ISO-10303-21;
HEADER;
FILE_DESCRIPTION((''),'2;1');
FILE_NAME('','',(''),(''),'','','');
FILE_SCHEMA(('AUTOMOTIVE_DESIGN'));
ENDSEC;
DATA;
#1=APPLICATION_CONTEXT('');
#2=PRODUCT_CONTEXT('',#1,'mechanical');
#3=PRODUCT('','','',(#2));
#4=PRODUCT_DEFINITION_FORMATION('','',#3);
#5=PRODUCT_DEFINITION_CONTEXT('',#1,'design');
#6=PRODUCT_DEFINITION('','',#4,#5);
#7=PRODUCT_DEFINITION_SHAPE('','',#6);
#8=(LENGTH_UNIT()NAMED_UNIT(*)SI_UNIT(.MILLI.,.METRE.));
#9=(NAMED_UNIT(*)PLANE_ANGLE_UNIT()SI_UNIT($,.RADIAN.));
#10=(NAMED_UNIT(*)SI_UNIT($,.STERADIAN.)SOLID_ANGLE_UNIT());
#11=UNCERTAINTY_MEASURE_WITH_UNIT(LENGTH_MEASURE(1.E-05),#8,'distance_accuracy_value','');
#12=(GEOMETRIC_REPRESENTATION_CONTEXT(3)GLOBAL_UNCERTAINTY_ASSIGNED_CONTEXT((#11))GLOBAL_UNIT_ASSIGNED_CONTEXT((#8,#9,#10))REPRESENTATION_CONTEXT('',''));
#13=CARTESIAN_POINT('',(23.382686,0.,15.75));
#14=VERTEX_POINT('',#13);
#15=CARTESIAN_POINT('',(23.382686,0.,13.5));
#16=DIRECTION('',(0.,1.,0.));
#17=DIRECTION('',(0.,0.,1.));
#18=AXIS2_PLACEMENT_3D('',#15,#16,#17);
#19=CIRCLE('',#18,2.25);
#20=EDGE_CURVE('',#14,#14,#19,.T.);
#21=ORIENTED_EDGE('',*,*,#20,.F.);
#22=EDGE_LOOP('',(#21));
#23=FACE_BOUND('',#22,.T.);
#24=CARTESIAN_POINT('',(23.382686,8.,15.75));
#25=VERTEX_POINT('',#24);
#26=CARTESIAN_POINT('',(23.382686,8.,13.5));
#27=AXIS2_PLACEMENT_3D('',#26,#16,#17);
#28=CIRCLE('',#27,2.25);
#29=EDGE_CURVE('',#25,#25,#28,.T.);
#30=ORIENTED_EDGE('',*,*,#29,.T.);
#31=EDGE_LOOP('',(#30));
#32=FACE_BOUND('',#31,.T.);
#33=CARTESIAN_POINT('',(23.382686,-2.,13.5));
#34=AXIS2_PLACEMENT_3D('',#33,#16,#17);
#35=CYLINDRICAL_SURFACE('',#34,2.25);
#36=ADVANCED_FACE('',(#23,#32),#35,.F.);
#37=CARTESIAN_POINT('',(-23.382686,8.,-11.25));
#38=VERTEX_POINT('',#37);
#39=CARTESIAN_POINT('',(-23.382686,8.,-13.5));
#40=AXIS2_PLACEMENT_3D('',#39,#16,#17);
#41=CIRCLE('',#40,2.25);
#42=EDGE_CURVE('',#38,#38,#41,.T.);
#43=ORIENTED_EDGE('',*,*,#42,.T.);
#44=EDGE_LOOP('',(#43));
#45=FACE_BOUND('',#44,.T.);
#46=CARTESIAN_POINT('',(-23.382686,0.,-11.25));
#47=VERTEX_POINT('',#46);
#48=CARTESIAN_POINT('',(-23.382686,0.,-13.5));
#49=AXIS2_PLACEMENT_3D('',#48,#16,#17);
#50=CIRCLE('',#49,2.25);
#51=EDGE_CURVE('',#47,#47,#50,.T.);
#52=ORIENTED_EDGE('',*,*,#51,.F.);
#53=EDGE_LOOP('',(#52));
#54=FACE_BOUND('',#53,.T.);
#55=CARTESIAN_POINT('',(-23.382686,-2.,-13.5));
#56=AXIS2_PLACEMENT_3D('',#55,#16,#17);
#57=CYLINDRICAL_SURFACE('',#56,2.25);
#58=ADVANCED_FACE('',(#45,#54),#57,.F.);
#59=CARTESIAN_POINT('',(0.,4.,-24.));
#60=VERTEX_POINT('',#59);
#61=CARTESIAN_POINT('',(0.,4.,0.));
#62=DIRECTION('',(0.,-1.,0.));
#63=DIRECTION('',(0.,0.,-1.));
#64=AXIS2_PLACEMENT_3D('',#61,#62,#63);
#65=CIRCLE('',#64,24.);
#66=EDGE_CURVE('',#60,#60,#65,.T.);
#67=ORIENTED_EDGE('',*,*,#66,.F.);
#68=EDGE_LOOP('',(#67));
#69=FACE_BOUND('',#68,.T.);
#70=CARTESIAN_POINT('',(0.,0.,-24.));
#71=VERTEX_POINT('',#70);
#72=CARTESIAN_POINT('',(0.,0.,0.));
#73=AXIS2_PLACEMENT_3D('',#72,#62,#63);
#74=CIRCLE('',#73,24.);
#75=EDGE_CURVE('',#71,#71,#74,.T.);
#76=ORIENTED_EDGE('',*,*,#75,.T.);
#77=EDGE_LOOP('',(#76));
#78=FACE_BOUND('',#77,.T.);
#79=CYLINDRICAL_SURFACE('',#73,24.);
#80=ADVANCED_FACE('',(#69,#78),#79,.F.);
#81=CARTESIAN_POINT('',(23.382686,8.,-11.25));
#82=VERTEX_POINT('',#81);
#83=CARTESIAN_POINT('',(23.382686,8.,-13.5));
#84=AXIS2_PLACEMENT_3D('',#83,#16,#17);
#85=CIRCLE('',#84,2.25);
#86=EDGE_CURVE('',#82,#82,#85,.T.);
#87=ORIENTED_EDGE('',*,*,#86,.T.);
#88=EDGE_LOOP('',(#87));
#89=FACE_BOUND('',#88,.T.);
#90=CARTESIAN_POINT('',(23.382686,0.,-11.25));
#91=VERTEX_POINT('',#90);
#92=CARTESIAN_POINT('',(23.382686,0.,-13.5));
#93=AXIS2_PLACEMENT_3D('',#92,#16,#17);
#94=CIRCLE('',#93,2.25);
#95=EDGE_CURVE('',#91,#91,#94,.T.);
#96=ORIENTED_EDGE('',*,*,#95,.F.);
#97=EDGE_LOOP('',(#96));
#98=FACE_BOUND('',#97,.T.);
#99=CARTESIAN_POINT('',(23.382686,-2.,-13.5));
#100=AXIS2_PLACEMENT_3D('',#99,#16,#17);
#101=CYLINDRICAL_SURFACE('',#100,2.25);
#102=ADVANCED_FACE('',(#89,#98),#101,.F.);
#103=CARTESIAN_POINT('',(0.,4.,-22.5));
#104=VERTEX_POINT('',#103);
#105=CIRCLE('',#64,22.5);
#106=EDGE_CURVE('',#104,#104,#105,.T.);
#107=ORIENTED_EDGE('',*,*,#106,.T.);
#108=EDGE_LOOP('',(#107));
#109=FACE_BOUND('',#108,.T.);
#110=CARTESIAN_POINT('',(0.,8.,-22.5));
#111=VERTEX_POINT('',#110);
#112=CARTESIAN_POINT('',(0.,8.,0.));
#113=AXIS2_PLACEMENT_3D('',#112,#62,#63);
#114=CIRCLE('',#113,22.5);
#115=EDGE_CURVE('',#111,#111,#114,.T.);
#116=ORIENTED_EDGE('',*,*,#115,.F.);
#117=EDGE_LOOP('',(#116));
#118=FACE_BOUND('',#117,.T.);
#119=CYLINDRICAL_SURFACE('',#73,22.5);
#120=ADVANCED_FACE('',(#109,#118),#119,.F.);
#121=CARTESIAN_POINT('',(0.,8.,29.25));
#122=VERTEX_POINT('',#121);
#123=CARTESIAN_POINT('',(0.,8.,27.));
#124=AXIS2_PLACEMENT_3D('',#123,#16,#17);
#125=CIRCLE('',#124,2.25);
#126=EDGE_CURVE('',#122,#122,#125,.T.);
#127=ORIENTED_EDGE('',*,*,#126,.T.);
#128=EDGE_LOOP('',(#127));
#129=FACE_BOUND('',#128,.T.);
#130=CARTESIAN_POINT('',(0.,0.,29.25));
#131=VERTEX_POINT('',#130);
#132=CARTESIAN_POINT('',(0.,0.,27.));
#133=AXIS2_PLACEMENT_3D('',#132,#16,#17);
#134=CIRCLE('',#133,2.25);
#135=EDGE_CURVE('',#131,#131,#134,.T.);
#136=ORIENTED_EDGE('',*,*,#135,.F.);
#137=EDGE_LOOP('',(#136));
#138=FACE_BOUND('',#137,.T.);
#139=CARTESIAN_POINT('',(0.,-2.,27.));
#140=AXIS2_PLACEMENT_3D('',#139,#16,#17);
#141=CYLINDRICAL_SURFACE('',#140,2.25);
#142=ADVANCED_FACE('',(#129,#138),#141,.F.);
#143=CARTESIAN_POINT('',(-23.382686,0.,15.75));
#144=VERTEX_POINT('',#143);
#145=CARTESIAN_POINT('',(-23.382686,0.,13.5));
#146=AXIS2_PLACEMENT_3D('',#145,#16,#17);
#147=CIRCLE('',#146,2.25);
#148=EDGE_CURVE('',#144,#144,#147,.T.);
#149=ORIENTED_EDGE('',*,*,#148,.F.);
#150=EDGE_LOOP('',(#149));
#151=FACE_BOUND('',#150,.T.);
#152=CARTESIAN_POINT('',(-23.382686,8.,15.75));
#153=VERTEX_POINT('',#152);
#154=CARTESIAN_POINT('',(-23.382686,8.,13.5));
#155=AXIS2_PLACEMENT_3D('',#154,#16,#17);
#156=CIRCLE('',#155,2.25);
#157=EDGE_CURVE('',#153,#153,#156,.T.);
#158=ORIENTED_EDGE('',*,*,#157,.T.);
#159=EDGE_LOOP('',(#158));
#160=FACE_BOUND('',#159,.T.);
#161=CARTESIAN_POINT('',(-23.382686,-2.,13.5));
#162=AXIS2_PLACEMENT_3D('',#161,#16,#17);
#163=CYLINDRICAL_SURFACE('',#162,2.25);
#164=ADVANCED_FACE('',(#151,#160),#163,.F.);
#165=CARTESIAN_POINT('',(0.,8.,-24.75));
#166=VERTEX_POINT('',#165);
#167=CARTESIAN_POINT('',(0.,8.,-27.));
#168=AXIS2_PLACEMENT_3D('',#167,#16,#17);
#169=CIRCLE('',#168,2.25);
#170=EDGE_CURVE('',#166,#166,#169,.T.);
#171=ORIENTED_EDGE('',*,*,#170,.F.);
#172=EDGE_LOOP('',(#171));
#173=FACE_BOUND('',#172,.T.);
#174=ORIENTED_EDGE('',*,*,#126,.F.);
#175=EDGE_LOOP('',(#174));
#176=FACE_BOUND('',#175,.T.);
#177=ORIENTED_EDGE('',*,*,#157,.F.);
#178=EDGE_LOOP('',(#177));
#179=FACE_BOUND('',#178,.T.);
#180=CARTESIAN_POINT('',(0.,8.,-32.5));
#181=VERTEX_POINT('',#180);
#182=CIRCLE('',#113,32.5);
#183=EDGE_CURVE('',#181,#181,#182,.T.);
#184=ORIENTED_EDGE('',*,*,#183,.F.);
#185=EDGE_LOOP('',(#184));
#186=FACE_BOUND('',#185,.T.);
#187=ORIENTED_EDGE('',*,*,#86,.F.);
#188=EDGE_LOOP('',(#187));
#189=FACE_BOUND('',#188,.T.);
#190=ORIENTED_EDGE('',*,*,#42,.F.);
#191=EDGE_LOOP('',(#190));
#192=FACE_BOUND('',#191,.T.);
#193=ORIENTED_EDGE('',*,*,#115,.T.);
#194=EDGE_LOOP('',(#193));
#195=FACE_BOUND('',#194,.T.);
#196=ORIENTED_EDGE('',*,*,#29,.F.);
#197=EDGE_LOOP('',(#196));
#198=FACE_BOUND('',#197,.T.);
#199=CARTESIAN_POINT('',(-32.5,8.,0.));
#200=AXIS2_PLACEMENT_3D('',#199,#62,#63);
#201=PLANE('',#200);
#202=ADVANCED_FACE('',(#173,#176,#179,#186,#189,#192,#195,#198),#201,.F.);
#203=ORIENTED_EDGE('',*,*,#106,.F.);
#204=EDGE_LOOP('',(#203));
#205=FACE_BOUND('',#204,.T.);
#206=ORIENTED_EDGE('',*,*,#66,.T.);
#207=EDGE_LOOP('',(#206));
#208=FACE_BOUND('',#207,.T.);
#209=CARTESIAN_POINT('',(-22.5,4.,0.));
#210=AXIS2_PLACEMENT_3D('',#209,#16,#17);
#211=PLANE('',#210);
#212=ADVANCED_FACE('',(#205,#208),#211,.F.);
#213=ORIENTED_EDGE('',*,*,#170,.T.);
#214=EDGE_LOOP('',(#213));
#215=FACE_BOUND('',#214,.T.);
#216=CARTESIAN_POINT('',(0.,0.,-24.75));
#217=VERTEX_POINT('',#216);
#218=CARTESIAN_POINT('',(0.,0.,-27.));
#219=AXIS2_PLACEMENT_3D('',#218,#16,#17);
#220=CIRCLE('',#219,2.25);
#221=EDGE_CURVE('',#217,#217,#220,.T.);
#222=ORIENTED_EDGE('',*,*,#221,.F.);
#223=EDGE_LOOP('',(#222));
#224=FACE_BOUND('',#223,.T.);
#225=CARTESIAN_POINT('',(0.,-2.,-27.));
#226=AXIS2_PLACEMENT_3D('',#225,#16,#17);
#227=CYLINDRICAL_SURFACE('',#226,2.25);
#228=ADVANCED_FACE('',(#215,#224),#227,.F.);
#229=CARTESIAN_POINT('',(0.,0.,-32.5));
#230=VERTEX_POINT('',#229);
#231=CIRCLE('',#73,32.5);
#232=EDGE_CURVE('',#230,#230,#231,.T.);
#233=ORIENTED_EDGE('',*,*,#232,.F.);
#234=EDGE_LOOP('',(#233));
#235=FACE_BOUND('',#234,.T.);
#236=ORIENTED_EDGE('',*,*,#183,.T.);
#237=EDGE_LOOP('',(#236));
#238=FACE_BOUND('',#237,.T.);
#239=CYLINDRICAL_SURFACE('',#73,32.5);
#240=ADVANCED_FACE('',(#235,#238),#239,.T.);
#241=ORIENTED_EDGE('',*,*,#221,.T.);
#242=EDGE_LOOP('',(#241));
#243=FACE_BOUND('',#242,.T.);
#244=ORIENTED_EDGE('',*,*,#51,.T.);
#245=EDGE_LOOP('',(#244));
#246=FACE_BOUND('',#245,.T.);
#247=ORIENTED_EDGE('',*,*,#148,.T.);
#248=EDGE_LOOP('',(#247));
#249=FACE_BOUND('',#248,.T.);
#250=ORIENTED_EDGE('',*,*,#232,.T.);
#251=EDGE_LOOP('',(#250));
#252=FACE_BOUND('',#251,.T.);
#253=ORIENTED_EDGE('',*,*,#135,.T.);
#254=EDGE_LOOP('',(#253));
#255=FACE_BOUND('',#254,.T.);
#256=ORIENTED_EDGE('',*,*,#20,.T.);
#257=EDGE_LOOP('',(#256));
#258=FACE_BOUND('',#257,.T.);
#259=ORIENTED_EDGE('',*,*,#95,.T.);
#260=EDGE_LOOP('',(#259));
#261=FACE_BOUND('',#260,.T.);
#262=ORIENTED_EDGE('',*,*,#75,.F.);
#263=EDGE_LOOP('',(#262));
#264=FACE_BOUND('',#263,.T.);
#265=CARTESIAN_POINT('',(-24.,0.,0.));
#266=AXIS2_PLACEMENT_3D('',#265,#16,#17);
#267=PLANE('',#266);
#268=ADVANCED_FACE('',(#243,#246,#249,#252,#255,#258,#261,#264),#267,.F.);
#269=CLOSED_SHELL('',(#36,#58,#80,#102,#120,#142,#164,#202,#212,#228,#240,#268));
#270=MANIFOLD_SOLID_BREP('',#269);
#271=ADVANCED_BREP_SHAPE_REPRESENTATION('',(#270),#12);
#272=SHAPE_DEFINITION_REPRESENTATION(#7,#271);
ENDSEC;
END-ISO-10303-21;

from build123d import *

# Parameters (mm, degrees)
SKETCH2_R          = 2.25
CUT_EXTRUDE1_DEPTH = 10


with BuildPart() as part:
    # Sketch1 → Revolve1 (revolve)
    with BuildSketch(Plane.XY, mode=Mode.PRIVATE) as revolve1_sk:
        Polygon((-32.5, 0), (-32.5, 8), (-22.5, 8), (-22.5, 4), (-24, 4), (-24, 0), align=None)
    revolve(revolve1_sk.sketch.rotate(Axis((0, 0, 0), (0, 1, 0)), 270), axis=Axis((0, 0, 0), (0, 1, 0)))

    # Sketch2 → Cut-Extrude1 (cut)
    with BuildSketch(Plane(origin=(0, 8, 0), x_dir=(1, 0, 0), z_dir=(0, 1, 0))):
        with Locations(Location((0, 27, 0), (0, 0, 270))):
            Circle(SKETCH2_R)
        with Locations(Location((23.382685902, 13.5, 0), (0, 0, 270))):
            Circle(SKETCH2_R)
        with Locations(Location((23.382685902, -13.5, 0), (0, 0, 270))):
            Circle(SKETCH2_R)
        with Locations(Location((0, -27, 0), (0, 0, 270))):
            Circle(SKETCH2_R)
        with Locations(Location((-23.382685902, -13.5, 0), (0, 0, 270))):
            Circle(SKETCH2_R)
        with Locations(Location((-23.382685902, 13.5, 0), (0, 0, 270))):
            Circle(SKETCH2_R)
    extrude(amount=-CUT_EXTRUDE1_DEPTH, mode=Mode.SUBTRACT)


solid = part.part
